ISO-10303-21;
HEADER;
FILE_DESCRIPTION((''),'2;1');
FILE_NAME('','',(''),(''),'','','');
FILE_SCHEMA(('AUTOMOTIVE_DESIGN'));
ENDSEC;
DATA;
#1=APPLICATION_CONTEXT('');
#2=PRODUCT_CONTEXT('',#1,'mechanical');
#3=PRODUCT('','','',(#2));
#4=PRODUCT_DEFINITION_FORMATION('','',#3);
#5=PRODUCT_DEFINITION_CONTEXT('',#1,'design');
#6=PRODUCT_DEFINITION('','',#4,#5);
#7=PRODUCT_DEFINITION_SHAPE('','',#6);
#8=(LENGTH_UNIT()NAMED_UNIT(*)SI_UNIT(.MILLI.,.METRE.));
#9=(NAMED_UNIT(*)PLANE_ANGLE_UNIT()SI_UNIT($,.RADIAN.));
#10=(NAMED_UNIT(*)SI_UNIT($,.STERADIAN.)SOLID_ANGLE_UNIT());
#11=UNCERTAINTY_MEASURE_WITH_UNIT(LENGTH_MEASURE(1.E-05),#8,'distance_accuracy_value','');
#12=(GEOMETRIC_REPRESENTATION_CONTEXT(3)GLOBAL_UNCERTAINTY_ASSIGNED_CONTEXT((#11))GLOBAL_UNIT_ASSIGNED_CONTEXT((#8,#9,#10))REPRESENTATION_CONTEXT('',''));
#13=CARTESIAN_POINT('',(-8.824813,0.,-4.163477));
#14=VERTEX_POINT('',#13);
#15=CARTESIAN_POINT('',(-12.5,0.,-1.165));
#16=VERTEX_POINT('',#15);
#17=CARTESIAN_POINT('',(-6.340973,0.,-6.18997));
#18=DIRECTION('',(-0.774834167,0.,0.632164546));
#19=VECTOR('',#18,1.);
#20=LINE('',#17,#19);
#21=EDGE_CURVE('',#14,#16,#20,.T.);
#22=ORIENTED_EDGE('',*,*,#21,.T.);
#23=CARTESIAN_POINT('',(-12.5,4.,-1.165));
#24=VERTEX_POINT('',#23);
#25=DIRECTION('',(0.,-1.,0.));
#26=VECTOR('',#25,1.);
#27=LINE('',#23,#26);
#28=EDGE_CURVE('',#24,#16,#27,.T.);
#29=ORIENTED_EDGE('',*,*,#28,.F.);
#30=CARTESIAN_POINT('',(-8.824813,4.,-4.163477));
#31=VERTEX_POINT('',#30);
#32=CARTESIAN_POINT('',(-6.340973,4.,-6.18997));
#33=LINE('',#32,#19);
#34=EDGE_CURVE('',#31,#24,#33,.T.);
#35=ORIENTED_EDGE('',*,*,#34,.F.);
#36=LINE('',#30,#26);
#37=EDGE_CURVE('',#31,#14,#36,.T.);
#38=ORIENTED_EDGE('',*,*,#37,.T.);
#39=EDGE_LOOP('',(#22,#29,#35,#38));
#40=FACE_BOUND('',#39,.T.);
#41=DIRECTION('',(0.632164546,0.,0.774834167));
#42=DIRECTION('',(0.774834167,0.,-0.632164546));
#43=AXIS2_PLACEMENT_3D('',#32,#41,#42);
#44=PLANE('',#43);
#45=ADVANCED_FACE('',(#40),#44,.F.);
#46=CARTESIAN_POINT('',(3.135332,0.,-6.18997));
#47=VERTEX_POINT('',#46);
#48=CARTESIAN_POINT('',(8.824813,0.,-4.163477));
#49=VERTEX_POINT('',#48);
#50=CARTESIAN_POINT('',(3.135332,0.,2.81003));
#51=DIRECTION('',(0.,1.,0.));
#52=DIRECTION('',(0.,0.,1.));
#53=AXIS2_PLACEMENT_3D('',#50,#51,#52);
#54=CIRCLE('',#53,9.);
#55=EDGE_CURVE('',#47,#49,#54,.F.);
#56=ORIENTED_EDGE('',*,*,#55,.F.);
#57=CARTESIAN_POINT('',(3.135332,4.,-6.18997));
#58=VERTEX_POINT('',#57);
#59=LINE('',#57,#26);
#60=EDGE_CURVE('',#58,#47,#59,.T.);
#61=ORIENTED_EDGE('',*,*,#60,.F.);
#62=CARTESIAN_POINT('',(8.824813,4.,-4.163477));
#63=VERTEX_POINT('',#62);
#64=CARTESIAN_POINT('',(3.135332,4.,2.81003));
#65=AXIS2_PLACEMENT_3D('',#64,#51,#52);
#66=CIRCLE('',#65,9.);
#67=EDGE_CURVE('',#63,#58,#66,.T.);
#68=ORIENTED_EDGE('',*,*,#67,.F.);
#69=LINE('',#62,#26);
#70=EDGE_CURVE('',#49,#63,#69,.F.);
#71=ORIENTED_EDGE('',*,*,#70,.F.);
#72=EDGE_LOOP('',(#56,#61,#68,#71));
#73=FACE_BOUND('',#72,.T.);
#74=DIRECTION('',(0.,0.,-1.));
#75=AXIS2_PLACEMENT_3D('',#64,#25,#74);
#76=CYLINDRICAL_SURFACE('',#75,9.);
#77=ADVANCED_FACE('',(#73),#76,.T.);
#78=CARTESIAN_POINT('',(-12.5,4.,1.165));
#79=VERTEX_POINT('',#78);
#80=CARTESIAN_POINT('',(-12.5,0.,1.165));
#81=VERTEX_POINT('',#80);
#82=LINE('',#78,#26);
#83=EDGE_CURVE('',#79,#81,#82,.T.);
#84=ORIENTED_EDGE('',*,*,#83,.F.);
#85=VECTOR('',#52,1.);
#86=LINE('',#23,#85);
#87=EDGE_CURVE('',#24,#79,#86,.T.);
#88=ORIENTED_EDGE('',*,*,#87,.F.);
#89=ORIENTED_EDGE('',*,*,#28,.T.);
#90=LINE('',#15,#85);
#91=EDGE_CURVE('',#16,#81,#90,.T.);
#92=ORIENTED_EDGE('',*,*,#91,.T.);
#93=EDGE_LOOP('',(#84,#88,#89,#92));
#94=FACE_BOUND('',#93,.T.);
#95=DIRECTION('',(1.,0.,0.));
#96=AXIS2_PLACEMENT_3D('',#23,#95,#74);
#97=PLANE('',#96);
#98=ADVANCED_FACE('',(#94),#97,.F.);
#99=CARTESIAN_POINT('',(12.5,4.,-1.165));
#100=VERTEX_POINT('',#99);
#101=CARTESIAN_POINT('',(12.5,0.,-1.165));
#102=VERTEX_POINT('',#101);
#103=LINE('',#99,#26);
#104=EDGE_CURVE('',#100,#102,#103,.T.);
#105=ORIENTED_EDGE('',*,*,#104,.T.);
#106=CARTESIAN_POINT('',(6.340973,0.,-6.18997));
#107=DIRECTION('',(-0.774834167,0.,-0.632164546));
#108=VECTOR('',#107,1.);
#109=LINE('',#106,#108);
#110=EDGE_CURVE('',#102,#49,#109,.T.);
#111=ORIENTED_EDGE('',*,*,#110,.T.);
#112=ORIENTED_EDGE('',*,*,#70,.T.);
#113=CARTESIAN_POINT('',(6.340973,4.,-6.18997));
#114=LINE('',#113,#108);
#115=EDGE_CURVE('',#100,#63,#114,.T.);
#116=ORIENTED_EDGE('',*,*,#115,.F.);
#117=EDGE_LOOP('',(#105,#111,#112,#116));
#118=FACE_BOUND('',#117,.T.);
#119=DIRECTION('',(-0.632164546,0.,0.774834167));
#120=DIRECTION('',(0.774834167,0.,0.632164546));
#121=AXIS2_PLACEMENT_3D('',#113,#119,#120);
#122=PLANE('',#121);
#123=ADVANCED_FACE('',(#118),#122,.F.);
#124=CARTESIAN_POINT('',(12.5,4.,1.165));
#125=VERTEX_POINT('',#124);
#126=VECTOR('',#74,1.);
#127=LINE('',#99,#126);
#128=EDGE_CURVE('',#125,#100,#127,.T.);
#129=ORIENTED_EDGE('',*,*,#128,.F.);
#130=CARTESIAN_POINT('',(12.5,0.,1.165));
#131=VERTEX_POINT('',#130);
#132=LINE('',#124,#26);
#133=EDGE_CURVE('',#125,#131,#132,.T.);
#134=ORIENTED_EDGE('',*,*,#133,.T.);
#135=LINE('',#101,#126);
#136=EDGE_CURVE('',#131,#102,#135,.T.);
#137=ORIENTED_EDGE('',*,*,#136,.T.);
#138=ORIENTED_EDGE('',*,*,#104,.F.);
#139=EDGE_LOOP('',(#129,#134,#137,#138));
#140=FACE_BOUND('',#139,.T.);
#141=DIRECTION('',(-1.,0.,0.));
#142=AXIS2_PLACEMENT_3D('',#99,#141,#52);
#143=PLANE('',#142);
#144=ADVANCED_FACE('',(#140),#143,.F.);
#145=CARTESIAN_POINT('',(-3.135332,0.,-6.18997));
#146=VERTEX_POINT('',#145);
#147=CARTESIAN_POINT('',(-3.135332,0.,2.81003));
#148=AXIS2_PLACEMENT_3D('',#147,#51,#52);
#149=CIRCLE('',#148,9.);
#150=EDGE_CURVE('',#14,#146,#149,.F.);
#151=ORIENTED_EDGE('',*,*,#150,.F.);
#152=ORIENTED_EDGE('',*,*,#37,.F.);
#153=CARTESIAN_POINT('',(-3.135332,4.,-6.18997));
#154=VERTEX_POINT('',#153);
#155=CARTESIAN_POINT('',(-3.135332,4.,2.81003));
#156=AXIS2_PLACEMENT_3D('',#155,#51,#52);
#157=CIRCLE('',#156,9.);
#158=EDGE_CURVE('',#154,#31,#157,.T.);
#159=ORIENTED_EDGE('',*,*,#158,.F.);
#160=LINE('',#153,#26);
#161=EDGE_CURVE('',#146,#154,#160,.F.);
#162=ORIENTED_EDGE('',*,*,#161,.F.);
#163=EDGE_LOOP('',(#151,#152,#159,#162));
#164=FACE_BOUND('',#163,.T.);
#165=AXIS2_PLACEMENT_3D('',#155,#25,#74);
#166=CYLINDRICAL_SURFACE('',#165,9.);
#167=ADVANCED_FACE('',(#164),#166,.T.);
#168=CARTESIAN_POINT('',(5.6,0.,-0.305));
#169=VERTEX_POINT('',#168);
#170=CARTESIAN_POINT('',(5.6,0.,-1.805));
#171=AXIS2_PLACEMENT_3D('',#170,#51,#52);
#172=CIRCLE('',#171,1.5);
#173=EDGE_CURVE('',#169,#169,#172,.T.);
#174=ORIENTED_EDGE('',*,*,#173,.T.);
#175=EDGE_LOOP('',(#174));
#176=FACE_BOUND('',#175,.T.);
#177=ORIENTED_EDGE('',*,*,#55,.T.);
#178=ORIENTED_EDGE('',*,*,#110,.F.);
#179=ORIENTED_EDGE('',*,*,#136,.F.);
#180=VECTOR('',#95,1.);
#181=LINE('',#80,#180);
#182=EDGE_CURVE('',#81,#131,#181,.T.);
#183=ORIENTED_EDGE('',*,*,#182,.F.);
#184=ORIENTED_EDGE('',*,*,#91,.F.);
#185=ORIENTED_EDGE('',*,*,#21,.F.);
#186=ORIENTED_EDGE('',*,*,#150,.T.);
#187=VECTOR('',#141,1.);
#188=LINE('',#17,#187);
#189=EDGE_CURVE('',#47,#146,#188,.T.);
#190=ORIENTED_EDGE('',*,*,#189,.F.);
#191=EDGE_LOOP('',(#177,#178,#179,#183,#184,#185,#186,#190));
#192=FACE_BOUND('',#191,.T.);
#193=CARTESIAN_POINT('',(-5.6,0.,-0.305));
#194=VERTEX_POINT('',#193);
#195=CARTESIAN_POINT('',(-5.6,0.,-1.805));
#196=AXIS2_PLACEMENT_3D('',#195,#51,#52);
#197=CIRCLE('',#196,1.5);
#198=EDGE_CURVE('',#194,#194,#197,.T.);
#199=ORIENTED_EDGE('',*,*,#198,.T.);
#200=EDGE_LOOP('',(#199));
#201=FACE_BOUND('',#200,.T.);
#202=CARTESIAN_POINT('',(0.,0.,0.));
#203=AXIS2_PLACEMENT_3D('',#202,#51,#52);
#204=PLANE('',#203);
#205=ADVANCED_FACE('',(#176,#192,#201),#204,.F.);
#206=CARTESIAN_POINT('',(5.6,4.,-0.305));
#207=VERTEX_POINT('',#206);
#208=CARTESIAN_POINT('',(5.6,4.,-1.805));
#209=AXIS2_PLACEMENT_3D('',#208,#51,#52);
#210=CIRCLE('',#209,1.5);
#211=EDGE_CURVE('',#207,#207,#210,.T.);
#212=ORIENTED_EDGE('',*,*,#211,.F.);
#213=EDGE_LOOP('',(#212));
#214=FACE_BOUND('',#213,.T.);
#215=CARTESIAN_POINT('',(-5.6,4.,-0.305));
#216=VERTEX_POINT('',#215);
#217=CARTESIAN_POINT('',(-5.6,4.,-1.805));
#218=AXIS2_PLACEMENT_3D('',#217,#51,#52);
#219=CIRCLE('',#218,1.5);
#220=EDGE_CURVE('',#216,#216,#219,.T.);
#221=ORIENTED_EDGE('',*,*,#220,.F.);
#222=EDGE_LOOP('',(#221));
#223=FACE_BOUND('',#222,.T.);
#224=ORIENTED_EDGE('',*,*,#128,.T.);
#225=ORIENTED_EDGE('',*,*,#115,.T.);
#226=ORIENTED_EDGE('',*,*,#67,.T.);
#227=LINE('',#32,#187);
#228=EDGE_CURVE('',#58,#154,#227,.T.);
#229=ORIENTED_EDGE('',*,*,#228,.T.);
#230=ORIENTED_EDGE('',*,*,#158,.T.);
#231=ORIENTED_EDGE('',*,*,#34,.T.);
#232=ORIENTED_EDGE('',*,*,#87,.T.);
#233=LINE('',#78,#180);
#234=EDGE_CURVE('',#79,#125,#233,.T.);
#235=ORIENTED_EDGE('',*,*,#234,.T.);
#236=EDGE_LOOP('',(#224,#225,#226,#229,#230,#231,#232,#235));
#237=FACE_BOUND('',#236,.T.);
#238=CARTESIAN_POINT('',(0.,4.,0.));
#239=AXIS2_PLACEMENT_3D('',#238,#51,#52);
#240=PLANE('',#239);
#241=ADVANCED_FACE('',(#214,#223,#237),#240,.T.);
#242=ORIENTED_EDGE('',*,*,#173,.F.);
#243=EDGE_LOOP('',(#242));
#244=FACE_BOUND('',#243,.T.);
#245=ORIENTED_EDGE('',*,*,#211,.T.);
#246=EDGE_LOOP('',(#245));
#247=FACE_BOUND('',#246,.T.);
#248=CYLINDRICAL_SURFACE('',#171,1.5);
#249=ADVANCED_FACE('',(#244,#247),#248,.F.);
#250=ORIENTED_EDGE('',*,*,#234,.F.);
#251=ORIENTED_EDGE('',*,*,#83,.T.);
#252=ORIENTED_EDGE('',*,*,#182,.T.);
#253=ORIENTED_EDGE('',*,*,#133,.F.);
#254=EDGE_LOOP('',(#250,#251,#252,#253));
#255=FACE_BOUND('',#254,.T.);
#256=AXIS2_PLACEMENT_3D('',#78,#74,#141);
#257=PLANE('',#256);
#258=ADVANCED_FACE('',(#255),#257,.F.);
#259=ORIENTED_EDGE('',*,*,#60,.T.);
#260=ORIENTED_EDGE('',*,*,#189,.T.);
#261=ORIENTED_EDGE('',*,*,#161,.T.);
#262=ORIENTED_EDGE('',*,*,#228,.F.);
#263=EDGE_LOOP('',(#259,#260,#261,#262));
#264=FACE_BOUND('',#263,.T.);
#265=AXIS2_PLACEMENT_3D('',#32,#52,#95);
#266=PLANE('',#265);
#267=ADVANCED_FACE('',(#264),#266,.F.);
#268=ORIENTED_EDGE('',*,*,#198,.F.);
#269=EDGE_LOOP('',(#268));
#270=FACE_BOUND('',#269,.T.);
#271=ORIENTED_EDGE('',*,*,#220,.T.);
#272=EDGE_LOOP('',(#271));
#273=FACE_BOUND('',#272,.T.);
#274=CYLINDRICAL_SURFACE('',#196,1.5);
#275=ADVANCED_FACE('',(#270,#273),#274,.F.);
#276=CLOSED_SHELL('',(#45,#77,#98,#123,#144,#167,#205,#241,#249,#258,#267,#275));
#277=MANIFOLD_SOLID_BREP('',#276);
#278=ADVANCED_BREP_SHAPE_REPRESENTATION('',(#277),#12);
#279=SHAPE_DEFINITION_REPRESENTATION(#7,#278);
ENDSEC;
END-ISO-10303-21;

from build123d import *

# Parameters (mm, degrees)
SALIENTE_EXTRUIR1_DEPTH = 4
REDONDEO1_R             = 9
CROQUIS2_R              = 1.5
CORTAR_EXTRUIR1_DEPTH   = 15.510883067


with BuildPart() as part:
    # Croquis1 → Saliente-Extruir1 (new body)
    with BuildSketch(Plane(origin=(0, 0, 0), x_dir=(1, 0, 0), z_dir=(0, 1, 0))):
        Polygon((-6.340973223, 6.189969903), (6.340973223, 6.189969903), (12.5, 1.165), (12.5, -1.165), (-12.5, -1.165), (-12.5, 1.165), align=None)
    extrude(amount=SALIENTE_EXTRUIR1_DEPTH)

    # Redondeo1
    redondeo1_edges = [part.edges().sort_by_distance(p)[0] for p in [
        (-6.340973223, 2, -6.189969903),
        (6.340973223, 2, -6.189969903),
    ]]
    fillet(redondeo1_edges, radius=REDONDEO1_R)

    # Croquis2 → Cortar-Extruir1 (cut, through all)
    with BuildSketch(Plane(origin=(0, 4, 0), x_dir=(1, 0, 0), z_dir=(0, 1, 0))):
        with Locations(Location((-5.6, 1.805, 0), (0, 0, 270))):
            Circle(CROQUIS2_R)
        with Locations(Location((5.6, 1.805, 0), (0, 0, 270))):
            Circle(CROQUIS2_R)
    extrude(amount=-CORTAR_EXTRUIR1_DEPTH, mode=Mode.SUBTRACT)


solid = part.part
